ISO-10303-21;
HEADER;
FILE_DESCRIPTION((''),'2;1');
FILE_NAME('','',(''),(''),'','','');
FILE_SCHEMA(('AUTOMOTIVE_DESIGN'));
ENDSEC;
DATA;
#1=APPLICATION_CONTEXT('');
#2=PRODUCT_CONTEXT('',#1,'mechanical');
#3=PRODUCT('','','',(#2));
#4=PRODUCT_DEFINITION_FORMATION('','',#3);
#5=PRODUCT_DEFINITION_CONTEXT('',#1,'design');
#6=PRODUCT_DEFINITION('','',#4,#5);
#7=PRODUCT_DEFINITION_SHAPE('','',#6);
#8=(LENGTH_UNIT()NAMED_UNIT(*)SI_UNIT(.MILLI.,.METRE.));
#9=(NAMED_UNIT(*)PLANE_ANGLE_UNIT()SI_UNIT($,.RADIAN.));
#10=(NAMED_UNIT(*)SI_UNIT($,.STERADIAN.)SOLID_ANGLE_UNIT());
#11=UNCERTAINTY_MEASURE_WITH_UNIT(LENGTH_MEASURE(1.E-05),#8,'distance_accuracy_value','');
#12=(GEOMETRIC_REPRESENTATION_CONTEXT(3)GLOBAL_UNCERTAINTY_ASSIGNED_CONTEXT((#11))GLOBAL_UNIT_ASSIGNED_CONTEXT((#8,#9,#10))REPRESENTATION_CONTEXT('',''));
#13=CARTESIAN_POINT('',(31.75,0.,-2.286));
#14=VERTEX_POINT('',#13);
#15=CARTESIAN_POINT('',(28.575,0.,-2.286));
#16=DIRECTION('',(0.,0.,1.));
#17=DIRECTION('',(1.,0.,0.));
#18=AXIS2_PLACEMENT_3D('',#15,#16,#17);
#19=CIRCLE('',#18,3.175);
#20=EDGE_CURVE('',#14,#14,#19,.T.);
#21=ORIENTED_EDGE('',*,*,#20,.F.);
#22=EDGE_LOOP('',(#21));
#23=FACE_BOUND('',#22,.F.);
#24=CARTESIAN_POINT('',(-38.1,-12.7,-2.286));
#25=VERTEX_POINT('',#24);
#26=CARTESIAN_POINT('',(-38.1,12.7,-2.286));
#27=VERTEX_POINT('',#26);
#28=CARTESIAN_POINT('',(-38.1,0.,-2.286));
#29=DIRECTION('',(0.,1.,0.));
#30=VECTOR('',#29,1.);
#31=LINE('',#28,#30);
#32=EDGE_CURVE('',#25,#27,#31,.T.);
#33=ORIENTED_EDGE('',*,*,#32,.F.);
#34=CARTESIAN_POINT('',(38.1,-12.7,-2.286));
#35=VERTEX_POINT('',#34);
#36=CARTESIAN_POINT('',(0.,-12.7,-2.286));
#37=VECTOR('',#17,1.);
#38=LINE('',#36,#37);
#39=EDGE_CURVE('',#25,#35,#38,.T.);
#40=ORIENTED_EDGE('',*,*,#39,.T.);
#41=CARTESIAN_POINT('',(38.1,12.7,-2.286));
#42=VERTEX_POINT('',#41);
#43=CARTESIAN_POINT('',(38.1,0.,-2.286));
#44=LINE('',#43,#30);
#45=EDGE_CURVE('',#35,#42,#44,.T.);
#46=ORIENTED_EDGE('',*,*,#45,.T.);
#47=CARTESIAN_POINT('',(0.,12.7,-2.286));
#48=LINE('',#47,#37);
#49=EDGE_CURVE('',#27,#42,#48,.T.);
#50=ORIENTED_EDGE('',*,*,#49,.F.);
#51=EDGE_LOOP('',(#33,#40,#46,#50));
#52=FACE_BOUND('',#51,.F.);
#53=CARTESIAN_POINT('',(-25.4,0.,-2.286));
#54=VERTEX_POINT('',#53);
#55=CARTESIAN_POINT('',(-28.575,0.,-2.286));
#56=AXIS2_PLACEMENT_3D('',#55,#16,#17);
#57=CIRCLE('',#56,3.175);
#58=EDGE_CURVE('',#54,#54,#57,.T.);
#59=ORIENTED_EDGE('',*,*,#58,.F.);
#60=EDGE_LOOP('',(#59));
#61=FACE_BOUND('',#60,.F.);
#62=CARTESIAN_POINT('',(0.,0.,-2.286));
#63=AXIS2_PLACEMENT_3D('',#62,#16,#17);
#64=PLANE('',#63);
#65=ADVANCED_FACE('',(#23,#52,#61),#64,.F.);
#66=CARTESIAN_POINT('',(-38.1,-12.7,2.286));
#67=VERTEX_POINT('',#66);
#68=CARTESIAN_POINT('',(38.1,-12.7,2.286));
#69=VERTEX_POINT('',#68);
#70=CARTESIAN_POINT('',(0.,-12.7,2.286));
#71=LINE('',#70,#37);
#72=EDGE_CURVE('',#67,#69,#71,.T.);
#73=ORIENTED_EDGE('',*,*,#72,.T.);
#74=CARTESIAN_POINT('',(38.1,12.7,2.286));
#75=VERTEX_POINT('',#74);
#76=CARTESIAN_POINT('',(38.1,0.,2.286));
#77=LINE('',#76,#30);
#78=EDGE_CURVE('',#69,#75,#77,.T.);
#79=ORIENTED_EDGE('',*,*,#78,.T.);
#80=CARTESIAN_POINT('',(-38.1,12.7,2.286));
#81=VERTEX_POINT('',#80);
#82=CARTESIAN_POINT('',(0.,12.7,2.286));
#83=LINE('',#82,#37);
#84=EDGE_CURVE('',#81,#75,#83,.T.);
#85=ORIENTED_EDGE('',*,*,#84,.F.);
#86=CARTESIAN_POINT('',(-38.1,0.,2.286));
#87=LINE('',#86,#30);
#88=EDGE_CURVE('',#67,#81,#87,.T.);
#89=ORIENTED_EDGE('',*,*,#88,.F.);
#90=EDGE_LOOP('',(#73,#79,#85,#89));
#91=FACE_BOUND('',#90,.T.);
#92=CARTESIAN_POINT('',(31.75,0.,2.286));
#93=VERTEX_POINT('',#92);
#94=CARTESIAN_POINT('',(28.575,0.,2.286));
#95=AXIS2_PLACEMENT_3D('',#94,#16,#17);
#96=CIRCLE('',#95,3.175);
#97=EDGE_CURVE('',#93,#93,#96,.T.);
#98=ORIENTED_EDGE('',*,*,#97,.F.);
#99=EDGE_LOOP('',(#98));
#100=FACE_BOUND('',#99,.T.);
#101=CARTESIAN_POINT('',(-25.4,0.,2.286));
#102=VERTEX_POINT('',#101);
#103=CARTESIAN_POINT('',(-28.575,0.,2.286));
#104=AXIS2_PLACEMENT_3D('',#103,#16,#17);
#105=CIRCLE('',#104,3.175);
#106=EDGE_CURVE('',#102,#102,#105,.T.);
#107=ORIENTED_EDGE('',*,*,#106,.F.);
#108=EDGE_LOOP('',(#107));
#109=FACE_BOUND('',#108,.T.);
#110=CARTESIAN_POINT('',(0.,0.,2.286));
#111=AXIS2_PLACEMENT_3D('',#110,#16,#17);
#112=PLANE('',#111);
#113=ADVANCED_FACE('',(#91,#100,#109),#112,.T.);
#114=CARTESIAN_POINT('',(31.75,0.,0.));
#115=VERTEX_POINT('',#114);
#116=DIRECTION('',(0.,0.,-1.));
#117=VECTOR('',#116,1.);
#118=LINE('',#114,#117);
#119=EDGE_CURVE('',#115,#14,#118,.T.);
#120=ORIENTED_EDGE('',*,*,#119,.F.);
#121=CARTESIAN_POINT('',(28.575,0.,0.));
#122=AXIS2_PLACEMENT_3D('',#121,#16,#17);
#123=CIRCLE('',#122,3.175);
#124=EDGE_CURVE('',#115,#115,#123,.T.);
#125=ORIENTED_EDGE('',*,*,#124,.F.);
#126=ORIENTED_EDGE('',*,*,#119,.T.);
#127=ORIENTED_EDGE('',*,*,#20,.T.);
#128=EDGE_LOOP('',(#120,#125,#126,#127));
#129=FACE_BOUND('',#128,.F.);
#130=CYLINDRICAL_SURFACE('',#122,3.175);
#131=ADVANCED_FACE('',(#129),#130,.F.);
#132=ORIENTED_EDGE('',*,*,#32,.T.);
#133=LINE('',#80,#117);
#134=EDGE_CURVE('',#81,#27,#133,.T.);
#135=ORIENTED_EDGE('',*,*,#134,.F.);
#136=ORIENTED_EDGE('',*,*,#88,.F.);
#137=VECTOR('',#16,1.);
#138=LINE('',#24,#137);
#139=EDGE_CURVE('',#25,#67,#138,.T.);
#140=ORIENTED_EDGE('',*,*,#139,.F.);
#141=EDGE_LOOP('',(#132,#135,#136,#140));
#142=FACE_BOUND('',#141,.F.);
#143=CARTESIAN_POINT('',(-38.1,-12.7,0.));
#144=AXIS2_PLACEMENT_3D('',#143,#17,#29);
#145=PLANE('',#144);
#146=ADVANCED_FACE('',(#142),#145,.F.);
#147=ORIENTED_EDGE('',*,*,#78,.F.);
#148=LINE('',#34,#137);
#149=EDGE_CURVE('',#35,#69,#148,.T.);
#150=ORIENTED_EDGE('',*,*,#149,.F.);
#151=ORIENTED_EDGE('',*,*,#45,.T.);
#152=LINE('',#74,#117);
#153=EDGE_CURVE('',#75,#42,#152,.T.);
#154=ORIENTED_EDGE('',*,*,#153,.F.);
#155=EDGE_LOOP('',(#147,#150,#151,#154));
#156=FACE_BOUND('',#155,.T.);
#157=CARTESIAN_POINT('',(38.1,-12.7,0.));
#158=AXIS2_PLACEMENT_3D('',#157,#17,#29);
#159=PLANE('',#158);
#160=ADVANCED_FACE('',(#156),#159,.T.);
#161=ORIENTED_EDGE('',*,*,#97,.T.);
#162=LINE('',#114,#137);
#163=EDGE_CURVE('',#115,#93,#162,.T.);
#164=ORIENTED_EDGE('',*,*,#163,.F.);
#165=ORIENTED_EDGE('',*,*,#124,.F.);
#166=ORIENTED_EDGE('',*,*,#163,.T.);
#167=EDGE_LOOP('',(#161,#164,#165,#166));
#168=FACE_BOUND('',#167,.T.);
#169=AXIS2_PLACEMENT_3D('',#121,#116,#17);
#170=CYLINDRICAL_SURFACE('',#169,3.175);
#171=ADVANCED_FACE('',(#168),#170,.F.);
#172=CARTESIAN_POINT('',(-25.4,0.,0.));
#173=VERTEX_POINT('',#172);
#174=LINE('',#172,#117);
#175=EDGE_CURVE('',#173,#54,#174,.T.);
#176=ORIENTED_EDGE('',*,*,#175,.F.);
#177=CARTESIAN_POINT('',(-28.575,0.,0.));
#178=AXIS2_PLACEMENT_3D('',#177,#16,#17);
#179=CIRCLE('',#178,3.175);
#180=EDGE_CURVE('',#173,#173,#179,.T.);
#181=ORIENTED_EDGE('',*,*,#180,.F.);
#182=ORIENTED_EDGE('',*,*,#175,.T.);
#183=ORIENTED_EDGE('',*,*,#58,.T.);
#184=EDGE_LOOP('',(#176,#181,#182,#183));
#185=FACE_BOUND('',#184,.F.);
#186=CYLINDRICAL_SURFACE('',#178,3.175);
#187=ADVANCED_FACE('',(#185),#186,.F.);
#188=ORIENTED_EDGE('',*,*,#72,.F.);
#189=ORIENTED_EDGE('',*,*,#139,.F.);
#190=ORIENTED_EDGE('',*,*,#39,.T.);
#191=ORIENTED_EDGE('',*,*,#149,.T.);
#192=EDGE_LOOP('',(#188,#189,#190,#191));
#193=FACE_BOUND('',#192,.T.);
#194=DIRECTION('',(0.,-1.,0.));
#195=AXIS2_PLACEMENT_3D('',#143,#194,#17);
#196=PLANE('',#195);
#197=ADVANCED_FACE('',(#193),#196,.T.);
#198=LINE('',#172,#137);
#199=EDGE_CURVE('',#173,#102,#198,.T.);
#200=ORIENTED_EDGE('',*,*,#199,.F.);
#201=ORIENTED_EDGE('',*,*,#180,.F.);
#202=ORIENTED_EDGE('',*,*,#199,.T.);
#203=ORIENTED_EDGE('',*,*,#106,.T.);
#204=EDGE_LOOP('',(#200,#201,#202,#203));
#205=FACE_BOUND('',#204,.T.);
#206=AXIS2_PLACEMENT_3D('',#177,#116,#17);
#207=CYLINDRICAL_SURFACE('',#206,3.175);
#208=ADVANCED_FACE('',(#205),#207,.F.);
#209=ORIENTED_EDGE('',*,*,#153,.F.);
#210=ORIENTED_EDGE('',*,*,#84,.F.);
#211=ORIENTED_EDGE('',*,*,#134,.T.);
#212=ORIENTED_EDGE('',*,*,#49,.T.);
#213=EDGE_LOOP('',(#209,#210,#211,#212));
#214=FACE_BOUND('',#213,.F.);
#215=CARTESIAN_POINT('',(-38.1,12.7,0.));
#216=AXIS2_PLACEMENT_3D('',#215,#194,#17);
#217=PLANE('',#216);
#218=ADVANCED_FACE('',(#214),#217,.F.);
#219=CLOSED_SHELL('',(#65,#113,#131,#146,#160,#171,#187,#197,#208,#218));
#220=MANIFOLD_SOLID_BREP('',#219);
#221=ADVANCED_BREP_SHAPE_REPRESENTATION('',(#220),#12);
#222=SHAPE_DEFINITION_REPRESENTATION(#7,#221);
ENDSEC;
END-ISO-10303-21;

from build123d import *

# Parameters (mm, degrees)
SKETCH3_W                = 76.2
SKETCH3_H                = 25.4
SKETCH3_R                = 3.175
BOSS_EXTRUDE1_DEPTH      = 2.286
BOSS_EXTRUDE1_DEPTH_BACK = 2.286


with BuildPart() as part:
    # Sketch3 → Boss-Extrude1 (new body, two sides)
    with BuildSketch(Plane.XY) as boss_extrude1_sk:
        Rectangle(SKETCH3_W, SKETCH3_H)
        with Locations((-28.575, 0)):
            Circle(SKETCH3_R, mode=Mode.SUBTRACT)
        with Locations((28.575, 0)):
            Circle(SKETCH3_R, mode=Mode.SUBTRACT)
    extrude(amount=BOSS_EXTRUDE1_DEPTH)
    extrude(boss_extrude1_sk.sketch, amount=-BOSS_EXTRUDE1_DEPTH_BACK)


solid = part.part
